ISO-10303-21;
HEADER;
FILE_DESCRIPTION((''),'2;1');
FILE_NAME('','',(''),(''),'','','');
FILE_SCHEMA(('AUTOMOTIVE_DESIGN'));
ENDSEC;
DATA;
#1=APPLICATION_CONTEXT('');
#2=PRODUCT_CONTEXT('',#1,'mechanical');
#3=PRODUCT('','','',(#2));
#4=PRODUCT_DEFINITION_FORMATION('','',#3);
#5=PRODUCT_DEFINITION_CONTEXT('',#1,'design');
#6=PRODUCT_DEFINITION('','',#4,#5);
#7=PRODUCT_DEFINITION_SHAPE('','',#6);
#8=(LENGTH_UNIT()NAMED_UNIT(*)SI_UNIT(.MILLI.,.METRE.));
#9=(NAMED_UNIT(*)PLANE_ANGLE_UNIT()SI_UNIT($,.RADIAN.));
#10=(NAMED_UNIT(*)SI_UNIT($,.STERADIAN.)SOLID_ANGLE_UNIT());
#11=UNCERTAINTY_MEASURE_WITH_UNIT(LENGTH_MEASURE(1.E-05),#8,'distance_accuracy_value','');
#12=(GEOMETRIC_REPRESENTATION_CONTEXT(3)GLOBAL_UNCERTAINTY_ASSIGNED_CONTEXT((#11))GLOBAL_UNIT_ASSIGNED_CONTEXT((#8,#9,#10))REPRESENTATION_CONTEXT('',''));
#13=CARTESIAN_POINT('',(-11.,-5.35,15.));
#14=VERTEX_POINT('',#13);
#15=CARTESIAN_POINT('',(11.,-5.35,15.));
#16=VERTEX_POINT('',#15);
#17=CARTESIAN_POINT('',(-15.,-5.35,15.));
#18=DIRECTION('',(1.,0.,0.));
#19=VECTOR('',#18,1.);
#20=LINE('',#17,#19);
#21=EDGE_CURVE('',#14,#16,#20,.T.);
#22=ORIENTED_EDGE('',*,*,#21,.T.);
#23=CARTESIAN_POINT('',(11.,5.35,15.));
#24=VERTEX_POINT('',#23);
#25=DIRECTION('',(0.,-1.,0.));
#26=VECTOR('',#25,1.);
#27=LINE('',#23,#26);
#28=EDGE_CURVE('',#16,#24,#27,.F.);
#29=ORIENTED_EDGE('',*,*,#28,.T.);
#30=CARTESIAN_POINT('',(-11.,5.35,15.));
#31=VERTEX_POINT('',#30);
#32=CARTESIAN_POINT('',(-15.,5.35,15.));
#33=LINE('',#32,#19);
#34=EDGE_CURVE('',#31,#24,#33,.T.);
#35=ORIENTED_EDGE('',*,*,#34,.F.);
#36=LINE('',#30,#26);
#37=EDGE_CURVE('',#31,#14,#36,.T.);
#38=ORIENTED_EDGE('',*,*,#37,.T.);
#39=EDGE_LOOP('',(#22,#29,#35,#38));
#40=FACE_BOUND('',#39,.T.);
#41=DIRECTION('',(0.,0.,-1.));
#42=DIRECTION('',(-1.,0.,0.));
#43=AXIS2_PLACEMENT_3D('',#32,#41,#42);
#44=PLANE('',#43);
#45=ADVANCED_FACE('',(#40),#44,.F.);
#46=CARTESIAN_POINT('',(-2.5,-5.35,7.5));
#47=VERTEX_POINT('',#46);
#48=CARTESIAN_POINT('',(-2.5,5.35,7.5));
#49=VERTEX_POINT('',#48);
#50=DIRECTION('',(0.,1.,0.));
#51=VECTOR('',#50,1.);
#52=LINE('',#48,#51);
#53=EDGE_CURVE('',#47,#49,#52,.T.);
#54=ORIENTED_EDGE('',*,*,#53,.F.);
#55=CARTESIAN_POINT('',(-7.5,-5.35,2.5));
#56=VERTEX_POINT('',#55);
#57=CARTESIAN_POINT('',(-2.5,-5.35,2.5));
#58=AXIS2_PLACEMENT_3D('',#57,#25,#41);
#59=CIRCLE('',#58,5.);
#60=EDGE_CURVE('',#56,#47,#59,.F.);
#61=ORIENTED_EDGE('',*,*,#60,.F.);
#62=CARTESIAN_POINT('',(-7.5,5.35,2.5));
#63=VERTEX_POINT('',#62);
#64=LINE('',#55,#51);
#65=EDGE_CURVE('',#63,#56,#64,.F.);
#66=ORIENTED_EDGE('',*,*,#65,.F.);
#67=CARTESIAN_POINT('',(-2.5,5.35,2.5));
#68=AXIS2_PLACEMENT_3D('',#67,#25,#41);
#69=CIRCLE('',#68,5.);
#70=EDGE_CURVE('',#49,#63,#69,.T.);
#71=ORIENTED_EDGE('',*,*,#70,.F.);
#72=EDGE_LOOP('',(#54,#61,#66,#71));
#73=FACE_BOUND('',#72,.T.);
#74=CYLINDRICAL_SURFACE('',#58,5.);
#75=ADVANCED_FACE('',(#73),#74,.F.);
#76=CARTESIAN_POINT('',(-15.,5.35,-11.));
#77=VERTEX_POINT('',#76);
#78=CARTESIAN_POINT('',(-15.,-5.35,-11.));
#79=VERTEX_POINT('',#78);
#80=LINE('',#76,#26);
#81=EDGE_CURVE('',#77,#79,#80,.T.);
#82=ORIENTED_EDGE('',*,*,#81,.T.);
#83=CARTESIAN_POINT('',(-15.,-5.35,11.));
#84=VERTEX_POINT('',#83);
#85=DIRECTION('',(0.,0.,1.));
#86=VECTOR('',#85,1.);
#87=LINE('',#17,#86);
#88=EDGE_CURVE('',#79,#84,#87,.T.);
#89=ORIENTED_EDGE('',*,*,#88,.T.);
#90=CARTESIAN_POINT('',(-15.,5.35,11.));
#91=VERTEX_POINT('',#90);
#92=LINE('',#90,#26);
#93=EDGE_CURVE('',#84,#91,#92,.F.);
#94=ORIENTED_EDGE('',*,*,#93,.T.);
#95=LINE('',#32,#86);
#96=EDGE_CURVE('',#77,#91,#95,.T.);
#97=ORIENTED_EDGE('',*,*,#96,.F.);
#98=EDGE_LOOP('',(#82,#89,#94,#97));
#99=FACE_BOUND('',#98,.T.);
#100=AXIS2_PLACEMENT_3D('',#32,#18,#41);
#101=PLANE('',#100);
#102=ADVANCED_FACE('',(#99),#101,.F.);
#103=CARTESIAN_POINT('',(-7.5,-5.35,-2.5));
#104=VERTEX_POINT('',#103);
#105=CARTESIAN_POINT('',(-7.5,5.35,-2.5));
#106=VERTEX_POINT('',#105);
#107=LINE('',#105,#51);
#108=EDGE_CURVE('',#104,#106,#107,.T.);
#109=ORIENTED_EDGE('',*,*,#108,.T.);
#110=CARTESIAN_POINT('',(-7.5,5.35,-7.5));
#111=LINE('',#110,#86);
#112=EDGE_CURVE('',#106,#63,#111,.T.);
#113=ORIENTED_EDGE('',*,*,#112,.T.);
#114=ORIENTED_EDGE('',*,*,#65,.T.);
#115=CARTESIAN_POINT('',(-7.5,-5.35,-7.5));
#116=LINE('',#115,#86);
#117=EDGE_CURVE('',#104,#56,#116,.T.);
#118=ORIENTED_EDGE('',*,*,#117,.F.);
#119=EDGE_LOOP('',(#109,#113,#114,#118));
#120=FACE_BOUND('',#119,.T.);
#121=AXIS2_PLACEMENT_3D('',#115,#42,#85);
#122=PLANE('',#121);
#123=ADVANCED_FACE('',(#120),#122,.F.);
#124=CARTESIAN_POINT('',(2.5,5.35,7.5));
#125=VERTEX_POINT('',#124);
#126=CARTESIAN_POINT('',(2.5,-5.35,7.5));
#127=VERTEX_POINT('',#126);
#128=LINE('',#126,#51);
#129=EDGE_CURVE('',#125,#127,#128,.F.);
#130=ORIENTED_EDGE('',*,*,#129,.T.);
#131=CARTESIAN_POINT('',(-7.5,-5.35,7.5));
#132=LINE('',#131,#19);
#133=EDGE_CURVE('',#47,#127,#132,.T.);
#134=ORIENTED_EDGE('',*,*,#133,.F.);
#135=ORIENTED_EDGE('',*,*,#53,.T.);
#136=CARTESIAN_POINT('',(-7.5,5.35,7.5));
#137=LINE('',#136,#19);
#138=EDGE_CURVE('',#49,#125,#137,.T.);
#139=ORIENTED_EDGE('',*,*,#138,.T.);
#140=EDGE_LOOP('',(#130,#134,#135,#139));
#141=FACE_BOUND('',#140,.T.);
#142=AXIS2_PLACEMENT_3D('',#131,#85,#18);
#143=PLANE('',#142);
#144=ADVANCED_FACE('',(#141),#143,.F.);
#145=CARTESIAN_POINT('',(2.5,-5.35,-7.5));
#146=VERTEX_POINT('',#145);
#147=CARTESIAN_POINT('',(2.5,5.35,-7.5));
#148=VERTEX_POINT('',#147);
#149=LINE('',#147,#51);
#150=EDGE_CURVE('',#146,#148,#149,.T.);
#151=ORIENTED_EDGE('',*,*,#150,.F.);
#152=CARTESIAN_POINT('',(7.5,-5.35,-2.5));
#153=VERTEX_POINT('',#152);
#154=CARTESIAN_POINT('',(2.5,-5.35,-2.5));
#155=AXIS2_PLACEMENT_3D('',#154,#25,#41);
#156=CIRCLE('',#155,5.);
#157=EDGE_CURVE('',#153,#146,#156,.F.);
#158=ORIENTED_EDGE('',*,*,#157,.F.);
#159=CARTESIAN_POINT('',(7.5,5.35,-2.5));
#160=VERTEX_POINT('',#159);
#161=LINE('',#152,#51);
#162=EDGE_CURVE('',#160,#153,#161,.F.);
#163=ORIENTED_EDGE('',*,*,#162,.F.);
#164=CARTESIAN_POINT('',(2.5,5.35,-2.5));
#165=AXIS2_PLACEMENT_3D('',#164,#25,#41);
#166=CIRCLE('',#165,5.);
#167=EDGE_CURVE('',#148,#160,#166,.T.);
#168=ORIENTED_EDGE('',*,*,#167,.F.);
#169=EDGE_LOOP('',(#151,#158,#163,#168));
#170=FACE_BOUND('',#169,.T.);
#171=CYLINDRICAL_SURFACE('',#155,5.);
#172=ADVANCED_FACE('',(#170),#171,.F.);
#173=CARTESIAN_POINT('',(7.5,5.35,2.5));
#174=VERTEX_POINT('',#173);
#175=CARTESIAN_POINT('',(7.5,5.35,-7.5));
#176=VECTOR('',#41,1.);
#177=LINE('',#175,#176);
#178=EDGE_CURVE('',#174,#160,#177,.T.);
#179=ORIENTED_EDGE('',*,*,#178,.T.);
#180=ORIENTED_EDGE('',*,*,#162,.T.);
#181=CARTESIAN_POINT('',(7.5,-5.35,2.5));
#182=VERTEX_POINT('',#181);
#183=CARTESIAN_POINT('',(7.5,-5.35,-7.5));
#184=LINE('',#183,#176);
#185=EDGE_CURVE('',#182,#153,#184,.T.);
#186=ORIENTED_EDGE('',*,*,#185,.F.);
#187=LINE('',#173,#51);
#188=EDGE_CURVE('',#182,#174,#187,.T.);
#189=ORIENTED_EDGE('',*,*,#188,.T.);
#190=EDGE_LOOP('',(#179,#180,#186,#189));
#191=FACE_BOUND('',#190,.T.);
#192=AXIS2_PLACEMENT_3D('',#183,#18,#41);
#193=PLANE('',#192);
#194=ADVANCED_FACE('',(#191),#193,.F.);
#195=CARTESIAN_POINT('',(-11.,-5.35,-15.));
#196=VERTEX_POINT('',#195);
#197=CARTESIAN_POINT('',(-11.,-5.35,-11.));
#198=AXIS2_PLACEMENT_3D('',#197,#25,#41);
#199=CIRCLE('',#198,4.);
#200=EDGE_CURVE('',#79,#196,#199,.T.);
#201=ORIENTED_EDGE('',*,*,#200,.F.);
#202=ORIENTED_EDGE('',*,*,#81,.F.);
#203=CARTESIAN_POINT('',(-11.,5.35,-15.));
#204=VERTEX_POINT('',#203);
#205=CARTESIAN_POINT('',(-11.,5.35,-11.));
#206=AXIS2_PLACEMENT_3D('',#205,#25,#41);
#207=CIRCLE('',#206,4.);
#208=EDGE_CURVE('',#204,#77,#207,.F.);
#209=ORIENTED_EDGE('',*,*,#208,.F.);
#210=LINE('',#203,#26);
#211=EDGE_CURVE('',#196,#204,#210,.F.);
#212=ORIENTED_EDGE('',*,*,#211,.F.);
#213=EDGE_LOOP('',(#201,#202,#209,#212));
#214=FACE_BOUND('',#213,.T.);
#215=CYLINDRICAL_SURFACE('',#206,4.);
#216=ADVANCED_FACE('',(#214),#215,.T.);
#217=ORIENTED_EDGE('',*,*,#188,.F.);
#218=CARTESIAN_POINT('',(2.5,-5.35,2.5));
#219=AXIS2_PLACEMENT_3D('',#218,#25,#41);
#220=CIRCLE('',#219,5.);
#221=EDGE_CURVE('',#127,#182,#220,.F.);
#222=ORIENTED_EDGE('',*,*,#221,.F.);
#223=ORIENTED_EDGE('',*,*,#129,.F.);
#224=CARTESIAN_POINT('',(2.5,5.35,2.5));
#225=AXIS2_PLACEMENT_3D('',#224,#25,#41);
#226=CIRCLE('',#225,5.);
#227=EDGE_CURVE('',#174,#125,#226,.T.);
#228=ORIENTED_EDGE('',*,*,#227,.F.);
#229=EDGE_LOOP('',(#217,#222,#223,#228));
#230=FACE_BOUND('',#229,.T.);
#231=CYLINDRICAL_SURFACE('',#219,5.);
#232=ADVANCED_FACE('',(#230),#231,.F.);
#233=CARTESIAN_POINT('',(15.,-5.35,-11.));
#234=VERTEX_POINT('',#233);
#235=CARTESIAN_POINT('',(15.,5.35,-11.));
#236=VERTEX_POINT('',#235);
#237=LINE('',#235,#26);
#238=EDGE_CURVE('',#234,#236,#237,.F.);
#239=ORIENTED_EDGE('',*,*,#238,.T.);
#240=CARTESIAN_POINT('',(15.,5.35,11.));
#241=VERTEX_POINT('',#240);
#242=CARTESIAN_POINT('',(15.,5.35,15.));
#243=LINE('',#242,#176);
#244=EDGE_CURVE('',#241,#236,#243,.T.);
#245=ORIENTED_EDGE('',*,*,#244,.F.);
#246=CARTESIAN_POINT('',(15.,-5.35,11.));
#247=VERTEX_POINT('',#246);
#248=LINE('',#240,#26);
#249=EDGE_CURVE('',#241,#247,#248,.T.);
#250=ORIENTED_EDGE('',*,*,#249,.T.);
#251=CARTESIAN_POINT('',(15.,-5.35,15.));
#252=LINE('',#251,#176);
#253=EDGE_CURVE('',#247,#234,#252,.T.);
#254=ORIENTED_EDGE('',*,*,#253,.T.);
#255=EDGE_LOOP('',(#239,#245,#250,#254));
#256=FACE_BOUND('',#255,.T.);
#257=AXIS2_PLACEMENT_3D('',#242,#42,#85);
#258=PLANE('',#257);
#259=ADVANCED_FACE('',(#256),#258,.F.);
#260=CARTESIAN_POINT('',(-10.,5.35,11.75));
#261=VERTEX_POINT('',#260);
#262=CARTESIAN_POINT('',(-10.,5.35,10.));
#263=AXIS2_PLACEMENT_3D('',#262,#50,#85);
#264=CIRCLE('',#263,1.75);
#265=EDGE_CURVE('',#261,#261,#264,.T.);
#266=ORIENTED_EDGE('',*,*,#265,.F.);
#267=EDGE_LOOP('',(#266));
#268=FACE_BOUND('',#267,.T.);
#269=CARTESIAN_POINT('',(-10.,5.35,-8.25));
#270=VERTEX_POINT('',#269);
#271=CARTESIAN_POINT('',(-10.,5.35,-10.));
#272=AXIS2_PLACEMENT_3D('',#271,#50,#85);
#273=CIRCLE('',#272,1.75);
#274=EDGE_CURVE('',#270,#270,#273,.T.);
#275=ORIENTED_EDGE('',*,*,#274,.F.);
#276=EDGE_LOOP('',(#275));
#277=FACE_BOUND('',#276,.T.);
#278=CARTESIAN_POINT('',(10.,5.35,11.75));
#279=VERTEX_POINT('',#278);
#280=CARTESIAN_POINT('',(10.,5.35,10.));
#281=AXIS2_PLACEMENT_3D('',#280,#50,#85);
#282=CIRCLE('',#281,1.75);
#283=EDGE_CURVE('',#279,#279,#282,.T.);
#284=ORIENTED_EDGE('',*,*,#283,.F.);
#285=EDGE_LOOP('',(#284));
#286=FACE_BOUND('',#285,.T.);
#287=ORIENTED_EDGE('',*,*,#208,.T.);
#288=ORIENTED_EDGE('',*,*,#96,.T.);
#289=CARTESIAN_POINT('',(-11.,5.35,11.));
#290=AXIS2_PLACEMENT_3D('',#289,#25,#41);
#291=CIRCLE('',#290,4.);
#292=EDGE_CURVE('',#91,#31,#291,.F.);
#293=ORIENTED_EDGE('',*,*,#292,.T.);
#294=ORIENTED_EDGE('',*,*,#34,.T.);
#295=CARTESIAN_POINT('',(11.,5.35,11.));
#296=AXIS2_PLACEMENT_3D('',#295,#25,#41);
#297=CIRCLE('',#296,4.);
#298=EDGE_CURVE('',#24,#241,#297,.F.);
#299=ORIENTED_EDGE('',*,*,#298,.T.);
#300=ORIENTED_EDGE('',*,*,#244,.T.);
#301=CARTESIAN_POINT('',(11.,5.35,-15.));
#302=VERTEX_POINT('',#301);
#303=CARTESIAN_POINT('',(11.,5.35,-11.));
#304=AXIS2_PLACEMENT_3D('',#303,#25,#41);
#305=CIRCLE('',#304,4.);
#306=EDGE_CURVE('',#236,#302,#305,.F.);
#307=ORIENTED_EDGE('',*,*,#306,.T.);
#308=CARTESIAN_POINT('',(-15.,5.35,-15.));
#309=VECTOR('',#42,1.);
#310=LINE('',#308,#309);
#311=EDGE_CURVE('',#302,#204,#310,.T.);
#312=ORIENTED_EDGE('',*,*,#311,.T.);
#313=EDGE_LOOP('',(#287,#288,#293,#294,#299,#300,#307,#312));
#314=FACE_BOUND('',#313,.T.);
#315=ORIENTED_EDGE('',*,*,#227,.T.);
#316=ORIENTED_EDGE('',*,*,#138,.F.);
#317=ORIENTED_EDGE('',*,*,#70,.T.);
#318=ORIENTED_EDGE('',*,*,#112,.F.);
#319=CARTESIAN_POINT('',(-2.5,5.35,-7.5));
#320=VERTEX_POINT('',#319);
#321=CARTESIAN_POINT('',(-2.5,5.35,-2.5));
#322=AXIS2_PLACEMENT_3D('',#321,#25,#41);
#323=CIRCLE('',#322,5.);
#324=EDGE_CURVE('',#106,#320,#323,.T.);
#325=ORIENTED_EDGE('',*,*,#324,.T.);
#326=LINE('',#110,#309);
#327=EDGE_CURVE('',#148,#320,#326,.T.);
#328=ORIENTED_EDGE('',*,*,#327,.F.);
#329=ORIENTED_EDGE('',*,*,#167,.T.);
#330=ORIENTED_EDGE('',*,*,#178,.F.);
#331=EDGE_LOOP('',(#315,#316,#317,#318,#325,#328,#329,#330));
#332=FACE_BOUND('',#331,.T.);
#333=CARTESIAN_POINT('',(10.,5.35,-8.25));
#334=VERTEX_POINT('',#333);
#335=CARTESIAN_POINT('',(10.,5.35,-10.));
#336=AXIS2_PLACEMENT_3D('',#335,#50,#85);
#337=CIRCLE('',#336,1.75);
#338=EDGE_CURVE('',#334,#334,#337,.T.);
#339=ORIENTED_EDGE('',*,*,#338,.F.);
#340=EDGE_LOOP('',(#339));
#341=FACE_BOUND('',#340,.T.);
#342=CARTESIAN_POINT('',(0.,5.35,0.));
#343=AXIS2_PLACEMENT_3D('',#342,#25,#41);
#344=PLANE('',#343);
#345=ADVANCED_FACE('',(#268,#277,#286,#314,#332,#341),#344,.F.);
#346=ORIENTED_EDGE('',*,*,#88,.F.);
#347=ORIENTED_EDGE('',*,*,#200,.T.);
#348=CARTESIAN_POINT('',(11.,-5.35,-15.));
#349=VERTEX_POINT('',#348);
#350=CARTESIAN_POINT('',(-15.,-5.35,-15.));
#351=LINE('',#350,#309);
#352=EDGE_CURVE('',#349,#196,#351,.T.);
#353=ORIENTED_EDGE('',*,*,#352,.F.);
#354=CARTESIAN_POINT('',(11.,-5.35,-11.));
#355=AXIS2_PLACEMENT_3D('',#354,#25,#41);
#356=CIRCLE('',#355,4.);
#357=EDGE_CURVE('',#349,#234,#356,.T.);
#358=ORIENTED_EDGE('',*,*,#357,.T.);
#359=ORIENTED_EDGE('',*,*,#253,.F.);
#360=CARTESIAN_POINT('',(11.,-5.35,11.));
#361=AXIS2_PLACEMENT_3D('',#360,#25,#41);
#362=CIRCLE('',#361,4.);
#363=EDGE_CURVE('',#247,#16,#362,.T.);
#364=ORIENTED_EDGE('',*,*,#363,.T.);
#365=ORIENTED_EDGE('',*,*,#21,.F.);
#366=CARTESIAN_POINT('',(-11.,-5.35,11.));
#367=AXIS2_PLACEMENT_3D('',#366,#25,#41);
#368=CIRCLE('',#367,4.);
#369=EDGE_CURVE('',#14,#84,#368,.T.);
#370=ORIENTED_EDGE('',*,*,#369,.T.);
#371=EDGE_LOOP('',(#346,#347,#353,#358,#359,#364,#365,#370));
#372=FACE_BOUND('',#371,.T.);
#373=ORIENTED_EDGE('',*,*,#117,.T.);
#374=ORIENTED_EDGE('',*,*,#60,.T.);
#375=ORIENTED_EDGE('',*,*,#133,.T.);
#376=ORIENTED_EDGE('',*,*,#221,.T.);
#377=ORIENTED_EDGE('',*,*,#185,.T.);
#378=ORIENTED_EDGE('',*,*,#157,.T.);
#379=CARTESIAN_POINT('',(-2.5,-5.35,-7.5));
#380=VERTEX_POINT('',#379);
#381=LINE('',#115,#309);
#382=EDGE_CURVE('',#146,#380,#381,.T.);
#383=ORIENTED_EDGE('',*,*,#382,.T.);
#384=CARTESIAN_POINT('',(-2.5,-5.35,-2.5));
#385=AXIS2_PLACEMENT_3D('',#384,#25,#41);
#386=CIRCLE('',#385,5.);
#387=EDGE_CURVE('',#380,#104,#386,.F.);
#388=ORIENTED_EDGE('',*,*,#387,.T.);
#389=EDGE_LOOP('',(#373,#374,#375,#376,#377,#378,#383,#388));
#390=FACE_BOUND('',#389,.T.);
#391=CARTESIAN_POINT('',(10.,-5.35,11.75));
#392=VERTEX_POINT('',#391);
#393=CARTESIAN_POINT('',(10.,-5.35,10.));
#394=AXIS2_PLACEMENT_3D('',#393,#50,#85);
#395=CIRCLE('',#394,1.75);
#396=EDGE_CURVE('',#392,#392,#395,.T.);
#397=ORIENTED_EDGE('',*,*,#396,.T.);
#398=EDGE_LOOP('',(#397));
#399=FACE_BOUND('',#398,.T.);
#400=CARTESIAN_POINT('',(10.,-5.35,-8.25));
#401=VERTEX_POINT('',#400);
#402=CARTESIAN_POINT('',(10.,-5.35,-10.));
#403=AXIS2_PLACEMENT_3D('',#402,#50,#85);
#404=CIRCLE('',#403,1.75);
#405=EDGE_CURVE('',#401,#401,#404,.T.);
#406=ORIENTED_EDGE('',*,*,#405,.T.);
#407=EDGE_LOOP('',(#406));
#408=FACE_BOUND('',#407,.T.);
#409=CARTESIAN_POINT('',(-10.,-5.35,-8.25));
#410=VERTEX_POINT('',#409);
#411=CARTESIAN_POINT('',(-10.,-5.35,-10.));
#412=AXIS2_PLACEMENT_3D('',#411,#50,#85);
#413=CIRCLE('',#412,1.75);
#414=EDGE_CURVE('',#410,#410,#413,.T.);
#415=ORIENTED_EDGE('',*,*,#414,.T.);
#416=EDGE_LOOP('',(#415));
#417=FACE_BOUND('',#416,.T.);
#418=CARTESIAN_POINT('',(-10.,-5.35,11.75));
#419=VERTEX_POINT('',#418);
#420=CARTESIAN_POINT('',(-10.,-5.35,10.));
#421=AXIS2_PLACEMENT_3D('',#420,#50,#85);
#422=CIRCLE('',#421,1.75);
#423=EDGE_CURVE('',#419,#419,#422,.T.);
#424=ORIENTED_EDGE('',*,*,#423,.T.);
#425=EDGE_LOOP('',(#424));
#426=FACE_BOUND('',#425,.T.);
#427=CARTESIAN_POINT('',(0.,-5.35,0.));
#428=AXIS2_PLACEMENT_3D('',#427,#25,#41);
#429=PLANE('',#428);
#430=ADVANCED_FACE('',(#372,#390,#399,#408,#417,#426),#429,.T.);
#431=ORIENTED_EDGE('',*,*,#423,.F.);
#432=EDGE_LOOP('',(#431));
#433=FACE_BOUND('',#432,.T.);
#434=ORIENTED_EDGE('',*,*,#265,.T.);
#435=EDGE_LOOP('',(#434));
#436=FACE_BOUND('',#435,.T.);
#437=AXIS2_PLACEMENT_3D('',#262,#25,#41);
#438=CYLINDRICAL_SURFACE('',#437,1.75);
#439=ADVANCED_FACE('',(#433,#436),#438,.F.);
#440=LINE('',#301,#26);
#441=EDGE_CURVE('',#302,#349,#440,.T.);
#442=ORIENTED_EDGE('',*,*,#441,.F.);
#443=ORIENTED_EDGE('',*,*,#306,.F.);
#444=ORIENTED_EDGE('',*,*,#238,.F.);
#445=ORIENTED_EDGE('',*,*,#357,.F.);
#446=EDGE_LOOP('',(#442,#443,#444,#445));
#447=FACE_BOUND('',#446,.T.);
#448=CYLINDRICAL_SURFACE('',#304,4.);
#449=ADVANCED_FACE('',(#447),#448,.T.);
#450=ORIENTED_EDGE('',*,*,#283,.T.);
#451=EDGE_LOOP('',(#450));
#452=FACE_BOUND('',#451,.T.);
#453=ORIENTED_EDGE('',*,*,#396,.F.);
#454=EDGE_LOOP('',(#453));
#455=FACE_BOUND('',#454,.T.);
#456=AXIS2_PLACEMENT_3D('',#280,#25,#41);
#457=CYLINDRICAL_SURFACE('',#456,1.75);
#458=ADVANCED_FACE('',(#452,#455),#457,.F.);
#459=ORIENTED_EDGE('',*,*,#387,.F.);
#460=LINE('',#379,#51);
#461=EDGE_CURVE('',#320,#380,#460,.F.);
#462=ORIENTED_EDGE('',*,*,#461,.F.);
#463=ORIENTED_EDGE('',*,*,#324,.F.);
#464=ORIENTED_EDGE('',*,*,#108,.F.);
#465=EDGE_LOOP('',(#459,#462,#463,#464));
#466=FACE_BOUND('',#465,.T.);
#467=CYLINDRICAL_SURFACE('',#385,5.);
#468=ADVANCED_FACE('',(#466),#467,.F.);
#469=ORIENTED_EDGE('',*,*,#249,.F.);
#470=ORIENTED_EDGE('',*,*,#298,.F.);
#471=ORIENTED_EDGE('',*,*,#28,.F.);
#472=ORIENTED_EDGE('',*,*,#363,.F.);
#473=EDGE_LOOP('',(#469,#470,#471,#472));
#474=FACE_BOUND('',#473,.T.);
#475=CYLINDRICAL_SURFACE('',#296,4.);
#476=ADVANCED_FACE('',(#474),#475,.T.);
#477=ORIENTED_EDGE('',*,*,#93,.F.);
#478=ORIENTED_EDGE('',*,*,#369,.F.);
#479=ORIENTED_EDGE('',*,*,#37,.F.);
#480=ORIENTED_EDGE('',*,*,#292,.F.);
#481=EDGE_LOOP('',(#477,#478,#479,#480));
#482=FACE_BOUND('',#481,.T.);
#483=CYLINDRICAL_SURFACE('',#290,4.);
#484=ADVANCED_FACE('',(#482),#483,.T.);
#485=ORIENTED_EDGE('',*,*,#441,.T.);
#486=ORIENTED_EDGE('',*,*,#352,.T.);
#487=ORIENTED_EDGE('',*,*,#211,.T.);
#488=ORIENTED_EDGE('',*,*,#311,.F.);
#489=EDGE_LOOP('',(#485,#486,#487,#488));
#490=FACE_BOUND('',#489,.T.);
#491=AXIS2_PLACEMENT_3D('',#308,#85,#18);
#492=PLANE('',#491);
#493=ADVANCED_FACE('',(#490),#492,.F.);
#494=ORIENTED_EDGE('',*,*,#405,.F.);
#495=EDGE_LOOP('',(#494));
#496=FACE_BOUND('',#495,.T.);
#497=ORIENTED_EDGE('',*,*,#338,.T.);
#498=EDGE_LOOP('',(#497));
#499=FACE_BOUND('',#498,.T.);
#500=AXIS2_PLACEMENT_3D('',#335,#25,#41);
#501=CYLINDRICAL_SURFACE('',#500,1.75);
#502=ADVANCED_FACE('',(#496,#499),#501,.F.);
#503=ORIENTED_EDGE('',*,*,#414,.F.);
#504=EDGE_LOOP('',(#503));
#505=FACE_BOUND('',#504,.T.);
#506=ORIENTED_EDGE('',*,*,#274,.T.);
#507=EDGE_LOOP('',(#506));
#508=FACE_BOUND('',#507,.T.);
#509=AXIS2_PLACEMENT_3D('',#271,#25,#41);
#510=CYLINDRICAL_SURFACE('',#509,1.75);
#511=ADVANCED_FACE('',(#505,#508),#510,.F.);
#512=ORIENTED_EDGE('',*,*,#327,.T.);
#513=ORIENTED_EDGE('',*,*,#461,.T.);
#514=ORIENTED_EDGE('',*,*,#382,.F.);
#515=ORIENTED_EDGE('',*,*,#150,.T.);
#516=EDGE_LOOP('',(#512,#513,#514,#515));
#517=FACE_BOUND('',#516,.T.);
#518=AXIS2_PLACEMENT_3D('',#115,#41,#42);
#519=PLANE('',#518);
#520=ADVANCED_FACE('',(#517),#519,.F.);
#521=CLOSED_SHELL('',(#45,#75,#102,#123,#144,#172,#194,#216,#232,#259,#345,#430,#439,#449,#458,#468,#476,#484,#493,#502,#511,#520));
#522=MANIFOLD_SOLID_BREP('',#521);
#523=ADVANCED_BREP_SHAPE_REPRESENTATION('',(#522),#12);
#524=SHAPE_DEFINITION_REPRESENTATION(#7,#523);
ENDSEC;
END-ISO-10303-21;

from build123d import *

# Parameters (mm, degrees)
SKETCH_1_W             = 30
SKETCH_1_H             = 30
EXTRUDE_398_DEPTH      = 5.35
SKETCH_2_R             = 1.75
CUT_EXTRUDE_618_DEPTH  = 24.758998295
SKETCH_4_W             = 15
SKETCH_4_H             = 15
CUT_EXTRUDE_1118_DEPTH = 24.758998295
FILLET_3_R             = 5
FILLET_6_R             = 4


with BuildPart() as part:
    # Эскиз1 → Extrude 398 (new, symmetric)
    with BuildSketch(Plane(origin=(0, 0, 0), x_dir=(1, 0, 0), z_dir=(0, 1, 0))):
        Rectangle(SKETCH_1_W, SKETCH_1_H)
    extrude(amount=EXTRUDE_398_DEPTH, both=True)

    # Эскиз2 → Cut-Extrude 618 (cut, through all)
    with BuildSketch(Plane(origin=(0, -5.35, 0), x_dir=(1, 0, 0), z_dir=(0, 1, 0))):
        with Locations(Location((-10, 10, 0), (0, 0, 270))):
            Circle(SKETCH_2_R)
        with Locations(Location((10, 10, 0), (0, 0, 270))):
            Circle(SKETCH_2_R)
        with Locations(Location((10, -10, 0), (0, 0, 270))):
            Circle(SKETCH_2_R)
        with Locations(Location((-10, -10, 0), (0, 0, 270))):
            Circle(SKETCH_2_R)
    extrude(amount=CUT_EXTRUDE_618_DEPTH, mode=Mode.SUBTRACT)

    # Эскиз4 → Cut-Extrude 1118 (cut, through all)
    with BuildSketch(Plane(origin=(0, 5.35, 0), x_dir=(1, 0, 0), z_dir=(0, 1, 0))):
        Rectangle(SKETCH_4_W, SKETCH_4_H)
    extrude(amount=-CUT_EXTRUDE_1118_DEPTH, mode=Mode.SUBTRACT)

    # Скругление3
    fillet_3_edges = [part.edges().sort_by_distance(p)[0] for p in [
        (-7.5, 0, 7.5),
        (-7.5, 0, -7.5),
        (7.5, 0, -7.5),
        (7.5, 0, 7.5),
    ]]
    fillet(fillet_3_edges, radius=FILLET_3_R)

    # Скругление6
    fillet_6_edges = [part.edges().sort_by_distance(p)[0] for p in [
        (15, 0, 15),
        (-15, 0, 15),
        (-15, 0, -15),
        (15, 0, -15),
    ]]
    fillet(fillet_6_edges, radius=FILLET_6_R)


solid = part.part
